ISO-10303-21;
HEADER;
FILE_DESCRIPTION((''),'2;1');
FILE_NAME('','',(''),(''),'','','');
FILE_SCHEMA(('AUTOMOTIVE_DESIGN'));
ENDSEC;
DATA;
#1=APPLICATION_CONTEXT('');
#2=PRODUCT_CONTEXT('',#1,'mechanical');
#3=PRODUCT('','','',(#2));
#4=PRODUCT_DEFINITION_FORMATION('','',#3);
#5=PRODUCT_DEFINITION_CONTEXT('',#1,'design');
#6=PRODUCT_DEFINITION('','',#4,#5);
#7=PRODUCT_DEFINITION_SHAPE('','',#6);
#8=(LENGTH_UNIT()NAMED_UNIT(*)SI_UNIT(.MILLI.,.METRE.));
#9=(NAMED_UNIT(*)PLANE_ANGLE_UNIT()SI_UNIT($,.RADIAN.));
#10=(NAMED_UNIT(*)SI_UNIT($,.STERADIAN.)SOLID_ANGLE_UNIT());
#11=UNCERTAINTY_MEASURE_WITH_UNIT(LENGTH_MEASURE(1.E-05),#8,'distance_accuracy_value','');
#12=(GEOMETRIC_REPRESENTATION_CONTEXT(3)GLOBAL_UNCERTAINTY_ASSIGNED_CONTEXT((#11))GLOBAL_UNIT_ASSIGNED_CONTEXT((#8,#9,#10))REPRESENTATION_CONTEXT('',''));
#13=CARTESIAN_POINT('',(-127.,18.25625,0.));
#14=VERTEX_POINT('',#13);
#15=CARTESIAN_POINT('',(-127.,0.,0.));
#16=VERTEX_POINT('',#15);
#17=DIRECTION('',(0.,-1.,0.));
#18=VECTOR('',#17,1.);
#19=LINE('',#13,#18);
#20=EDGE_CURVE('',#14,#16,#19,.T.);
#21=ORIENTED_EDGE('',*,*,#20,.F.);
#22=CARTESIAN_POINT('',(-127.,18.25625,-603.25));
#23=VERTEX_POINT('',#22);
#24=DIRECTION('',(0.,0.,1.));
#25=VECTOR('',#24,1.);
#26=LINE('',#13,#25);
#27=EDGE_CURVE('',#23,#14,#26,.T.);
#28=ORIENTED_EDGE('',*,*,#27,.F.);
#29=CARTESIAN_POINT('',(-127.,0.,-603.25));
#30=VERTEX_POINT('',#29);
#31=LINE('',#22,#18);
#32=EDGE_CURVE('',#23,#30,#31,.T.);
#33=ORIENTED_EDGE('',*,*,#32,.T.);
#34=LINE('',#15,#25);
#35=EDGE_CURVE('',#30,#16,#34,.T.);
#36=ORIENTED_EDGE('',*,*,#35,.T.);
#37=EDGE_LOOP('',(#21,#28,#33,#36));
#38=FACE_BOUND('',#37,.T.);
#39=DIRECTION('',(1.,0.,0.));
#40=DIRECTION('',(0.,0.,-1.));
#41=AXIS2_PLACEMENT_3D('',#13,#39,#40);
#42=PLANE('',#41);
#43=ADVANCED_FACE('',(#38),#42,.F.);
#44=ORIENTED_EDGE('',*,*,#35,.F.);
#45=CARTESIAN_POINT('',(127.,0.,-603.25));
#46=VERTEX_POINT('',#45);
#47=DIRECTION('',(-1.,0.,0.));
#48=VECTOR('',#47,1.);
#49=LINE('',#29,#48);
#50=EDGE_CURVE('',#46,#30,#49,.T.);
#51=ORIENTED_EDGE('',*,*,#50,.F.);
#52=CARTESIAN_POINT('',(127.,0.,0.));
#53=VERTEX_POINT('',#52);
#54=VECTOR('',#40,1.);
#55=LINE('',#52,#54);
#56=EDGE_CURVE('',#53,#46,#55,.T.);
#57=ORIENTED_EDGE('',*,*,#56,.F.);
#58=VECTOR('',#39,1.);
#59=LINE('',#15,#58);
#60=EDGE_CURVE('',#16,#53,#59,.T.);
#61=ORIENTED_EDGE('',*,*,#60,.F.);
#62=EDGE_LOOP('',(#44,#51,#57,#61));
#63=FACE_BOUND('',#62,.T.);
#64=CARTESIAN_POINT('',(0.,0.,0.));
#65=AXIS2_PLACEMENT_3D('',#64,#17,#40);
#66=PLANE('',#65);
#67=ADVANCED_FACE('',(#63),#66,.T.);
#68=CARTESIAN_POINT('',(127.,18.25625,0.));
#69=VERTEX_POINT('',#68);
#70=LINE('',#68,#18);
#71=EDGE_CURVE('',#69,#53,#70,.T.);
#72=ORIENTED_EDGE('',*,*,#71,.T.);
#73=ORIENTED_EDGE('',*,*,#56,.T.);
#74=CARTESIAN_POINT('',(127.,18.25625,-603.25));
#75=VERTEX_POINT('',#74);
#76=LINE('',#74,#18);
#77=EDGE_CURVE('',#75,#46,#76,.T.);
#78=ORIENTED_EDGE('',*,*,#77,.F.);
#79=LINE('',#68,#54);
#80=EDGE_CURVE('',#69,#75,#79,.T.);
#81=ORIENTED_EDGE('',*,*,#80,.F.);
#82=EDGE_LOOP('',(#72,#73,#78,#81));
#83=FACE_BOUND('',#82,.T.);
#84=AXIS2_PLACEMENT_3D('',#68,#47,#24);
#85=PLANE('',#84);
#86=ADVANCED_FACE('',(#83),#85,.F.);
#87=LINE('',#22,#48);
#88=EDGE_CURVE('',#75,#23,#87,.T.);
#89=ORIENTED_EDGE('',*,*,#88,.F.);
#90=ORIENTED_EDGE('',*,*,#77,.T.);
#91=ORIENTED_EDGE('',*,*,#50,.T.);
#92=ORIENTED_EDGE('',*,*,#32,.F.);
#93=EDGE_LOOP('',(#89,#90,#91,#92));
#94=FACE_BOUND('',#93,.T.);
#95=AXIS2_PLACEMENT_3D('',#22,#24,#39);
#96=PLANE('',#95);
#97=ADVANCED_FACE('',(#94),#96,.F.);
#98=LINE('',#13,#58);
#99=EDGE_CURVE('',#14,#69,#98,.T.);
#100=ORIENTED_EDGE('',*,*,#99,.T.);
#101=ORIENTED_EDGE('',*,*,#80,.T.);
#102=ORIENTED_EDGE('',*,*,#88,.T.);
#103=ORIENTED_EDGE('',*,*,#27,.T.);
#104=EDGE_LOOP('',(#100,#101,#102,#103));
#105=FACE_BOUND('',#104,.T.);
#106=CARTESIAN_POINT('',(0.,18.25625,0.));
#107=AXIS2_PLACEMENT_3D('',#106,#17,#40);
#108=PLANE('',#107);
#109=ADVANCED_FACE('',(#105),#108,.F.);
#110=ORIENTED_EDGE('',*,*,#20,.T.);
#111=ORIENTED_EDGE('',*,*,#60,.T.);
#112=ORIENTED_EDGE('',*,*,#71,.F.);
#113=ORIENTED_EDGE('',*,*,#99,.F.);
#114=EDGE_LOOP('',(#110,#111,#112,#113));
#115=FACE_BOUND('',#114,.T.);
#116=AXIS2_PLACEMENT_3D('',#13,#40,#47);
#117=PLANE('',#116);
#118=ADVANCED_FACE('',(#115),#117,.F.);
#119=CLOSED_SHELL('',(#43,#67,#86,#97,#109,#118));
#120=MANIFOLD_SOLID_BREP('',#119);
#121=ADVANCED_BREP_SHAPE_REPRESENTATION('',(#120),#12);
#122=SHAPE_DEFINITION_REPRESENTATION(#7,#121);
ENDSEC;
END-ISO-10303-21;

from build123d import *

# Parameters (mm, degrees)
SKETCH_S_W          = 254
SKETCH_S_H          = 603.25
BOSS_EXTRUDE1_DEPTH = 18.25625


with BuildPart() as part:
    # Sketch s → Boss-Extrude1 (new body)
    with BuildSketch(Plane(origin=(0, 0, 0), x_dir=(1, 0, 0), z_dir=(0, 1, 0))):
        with Locations((0, 301.625)):
            Rectangle(SKETCH_S_W, SKETCH_S_H)
    extrude(amount=BOSS_EXTRUDE1_DEPTH)


solid = part.part
